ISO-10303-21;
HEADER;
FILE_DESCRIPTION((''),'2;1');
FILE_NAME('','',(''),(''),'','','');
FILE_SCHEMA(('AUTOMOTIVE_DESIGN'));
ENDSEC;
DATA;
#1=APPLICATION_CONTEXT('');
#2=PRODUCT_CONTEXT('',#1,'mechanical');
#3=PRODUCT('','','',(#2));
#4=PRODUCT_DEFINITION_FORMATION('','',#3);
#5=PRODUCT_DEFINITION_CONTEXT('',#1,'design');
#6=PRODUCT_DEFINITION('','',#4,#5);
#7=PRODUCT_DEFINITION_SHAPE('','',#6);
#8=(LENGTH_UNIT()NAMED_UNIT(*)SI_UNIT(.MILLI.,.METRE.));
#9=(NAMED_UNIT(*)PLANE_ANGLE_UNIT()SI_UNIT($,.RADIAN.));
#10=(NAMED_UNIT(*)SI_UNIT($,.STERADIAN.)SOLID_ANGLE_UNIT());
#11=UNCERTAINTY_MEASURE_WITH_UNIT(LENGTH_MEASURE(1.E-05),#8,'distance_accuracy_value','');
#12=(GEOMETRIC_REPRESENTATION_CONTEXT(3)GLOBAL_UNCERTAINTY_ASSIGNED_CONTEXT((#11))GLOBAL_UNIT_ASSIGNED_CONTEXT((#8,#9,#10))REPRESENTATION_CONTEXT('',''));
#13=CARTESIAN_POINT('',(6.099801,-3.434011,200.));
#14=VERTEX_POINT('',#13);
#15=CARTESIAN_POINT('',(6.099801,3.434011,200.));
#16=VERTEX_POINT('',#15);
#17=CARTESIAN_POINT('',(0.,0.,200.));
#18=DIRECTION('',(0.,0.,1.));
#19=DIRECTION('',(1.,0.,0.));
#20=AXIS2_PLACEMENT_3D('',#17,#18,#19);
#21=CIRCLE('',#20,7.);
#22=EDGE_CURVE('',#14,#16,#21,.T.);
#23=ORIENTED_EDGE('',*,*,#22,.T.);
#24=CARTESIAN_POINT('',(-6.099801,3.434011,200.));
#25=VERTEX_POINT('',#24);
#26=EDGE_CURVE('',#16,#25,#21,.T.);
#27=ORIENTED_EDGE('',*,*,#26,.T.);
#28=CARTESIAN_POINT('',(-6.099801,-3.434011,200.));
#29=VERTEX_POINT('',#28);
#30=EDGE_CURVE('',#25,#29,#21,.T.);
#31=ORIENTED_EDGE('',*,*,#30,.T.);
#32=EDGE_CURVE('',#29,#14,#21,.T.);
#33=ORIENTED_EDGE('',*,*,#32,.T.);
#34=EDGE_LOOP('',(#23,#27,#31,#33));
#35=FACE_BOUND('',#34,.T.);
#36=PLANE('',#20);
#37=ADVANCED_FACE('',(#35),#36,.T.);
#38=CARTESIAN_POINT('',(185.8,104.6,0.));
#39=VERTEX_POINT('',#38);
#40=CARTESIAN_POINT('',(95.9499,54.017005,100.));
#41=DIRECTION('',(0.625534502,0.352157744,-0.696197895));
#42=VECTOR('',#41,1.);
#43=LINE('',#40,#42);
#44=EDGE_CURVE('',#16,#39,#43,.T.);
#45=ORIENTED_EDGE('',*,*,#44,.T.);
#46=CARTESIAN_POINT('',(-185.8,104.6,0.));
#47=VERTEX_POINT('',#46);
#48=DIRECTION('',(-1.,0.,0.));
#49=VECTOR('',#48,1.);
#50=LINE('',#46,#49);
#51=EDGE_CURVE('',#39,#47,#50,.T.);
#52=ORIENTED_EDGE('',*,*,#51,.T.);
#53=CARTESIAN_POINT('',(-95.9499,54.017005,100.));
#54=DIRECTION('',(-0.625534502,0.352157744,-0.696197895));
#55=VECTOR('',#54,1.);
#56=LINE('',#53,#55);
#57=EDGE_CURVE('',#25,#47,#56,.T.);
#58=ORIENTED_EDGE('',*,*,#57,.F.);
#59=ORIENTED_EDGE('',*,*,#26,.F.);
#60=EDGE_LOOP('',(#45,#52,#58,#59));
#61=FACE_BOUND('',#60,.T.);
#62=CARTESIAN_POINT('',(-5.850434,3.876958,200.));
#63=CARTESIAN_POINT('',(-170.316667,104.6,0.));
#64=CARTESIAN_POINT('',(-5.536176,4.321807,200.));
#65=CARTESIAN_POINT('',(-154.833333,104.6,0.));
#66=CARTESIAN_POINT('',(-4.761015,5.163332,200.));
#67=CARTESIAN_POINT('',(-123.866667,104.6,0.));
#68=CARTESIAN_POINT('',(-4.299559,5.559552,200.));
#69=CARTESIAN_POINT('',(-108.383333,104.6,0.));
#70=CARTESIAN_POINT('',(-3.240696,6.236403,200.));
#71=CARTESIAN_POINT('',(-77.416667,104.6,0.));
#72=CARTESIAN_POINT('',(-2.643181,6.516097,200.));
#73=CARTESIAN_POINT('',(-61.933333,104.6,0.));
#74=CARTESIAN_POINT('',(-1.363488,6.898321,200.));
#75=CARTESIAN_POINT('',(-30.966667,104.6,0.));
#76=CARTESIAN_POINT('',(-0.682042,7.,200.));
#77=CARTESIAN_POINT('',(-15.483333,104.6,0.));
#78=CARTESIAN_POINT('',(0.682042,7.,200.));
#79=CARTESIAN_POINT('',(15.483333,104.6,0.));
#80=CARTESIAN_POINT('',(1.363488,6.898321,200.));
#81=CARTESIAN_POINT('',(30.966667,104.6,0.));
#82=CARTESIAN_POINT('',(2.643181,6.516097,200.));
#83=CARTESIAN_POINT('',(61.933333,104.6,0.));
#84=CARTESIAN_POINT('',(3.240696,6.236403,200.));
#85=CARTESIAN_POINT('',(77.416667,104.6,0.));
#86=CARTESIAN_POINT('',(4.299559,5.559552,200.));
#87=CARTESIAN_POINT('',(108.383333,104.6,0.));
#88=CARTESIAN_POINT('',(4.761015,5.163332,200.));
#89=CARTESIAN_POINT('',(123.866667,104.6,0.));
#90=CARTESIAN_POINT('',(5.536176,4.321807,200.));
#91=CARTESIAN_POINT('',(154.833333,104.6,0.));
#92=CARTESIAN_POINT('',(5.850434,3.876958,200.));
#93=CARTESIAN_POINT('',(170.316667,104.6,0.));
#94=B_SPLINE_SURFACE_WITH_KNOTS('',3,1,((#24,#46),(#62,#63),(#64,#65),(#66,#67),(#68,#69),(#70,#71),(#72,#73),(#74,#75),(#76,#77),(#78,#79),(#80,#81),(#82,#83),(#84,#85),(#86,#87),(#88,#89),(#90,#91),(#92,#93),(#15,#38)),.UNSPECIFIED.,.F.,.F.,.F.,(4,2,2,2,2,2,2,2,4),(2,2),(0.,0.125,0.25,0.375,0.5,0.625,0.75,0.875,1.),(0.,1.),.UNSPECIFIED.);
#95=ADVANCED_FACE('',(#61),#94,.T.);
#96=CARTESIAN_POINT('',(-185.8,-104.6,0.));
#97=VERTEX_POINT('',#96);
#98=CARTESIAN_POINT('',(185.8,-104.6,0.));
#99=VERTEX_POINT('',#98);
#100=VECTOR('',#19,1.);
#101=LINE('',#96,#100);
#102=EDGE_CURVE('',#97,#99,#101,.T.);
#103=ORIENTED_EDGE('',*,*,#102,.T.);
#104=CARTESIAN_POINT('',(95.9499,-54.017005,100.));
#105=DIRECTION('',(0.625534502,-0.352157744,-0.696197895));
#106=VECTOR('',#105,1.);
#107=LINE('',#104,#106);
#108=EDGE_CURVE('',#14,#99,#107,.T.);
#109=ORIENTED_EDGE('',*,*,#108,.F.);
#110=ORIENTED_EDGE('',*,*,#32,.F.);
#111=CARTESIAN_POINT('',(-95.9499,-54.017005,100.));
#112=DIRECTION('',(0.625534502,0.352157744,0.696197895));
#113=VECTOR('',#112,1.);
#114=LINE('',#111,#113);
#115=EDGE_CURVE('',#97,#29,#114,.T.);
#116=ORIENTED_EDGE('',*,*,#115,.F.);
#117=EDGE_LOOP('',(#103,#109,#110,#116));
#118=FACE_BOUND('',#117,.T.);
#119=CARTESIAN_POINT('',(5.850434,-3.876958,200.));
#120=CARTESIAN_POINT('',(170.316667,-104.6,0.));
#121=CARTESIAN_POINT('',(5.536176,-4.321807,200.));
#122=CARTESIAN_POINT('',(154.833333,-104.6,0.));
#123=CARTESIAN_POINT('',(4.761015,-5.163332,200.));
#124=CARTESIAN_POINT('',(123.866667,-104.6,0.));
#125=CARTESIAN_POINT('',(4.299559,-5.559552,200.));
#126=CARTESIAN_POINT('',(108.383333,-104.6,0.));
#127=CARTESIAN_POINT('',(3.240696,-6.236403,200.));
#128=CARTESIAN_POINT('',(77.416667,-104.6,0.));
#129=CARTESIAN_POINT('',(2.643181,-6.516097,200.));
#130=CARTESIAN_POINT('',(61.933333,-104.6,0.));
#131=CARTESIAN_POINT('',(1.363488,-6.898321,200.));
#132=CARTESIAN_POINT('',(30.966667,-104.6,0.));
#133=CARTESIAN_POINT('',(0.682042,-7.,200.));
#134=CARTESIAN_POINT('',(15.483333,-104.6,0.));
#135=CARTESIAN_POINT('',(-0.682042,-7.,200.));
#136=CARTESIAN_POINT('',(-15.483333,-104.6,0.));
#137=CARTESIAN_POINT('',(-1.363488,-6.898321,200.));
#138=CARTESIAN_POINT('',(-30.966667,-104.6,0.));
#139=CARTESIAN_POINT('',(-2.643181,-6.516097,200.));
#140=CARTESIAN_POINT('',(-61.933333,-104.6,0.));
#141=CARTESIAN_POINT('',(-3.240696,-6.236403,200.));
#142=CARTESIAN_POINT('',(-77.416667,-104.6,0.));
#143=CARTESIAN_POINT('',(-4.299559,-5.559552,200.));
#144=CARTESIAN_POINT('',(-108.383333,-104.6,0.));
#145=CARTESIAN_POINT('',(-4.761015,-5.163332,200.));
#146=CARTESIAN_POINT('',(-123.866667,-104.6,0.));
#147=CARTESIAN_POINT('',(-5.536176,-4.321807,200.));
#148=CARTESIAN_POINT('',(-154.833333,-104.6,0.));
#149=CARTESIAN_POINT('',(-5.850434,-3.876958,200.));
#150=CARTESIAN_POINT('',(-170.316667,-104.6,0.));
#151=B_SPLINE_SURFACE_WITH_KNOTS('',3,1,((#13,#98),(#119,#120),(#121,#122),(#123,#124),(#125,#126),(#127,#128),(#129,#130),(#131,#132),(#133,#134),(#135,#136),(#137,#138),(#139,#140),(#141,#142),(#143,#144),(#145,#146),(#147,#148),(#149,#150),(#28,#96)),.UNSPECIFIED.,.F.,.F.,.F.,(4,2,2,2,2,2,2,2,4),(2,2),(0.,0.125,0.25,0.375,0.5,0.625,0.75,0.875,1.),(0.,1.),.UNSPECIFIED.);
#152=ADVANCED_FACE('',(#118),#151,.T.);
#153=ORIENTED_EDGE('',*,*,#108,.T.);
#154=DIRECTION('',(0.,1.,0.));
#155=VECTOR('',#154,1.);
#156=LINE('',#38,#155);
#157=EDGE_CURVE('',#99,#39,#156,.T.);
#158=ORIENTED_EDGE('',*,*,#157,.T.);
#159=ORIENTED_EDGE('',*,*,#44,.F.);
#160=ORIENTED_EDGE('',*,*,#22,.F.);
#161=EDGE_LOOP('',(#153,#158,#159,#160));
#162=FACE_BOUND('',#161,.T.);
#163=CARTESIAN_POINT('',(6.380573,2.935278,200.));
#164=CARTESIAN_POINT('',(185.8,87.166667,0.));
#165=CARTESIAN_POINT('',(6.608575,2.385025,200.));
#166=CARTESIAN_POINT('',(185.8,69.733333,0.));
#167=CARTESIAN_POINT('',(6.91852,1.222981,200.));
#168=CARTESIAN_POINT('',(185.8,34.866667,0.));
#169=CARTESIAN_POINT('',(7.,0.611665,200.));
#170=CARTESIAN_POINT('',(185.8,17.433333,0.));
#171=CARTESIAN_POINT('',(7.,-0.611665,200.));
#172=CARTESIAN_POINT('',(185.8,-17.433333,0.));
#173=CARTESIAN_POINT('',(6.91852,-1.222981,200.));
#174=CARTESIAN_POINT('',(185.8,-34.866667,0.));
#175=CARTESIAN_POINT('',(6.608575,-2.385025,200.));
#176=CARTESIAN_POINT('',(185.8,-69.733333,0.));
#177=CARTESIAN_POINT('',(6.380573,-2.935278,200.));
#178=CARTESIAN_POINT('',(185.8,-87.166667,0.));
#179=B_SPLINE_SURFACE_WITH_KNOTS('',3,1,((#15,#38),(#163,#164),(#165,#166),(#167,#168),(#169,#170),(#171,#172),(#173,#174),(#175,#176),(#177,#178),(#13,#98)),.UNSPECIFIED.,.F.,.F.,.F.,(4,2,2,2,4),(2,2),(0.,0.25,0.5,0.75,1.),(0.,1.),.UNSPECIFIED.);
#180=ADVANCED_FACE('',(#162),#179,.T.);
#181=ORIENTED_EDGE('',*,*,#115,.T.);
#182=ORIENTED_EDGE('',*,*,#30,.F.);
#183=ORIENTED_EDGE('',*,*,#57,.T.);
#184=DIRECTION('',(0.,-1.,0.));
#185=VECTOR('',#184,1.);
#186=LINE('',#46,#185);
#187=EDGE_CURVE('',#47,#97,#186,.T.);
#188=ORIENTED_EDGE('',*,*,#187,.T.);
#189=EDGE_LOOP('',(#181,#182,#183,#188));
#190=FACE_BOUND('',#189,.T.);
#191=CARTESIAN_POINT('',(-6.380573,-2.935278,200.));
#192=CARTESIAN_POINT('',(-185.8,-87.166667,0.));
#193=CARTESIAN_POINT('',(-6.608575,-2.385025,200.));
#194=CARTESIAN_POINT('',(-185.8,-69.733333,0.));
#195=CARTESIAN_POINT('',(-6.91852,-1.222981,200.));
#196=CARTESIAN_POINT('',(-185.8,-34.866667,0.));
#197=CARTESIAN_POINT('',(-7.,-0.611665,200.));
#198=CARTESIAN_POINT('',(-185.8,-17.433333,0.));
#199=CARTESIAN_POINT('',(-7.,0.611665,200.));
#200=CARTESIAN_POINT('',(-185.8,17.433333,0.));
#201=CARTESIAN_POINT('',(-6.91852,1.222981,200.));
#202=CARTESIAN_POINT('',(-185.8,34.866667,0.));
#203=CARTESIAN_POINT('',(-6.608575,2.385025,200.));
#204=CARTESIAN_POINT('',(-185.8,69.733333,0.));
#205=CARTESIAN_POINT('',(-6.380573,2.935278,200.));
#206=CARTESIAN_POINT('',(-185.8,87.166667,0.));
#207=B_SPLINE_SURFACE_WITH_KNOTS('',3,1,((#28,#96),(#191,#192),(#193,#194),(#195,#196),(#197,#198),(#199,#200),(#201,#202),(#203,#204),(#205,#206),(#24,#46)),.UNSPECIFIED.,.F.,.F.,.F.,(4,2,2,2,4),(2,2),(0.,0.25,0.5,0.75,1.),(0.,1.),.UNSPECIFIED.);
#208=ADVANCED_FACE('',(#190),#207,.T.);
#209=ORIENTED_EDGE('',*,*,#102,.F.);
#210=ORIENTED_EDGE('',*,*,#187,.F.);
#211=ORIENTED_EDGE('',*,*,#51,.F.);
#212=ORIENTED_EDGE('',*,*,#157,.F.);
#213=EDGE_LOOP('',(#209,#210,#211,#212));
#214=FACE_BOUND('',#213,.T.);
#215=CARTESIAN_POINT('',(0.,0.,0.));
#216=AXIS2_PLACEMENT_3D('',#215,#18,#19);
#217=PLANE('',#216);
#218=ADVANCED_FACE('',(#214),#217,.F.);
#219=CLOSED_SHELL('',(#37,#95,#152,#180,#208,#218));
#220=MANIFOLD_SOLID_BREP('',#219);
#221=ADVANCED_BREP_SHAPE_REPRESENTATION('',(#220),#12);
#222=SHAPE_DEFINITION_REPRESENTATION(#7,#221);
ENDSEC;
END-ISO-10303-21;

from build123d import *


with BuildPart() as part:
    # Croquis2 for Recubrir2 → Recubrir2 section 0
    with BuildSketch(Plane.XY.offset(200)):
        with BuildLine():
            # circular arc as an exact rational Bezier (weights 1, cos(half-angle), 1)
            Bezier((-6.0998009, 3.434010625), (0, 14.269029818), (6.0998009, 3.434010625), weights=[1, 0.490572946, 1])
            Bezier((6.0998009, 3.434010625), (8.033049079, 0), (6.0998009, -3.434010625), weights=[1, 0.871400128, 1])
            Bezier((6.0998009, -3.434010625), (0, -14.269029818), (-6.0998009, -3.434010625), weights=[1, 0.490572946, 1])
            Bezier((-6.0998009, -3.434010625), (-8.033049079, 0), (-6.0998009, 3.434010625), weights=[1, 0.871400128, 1])
        make_face()
    # Croquis1 → Recubrir2 section 1
    with BuildSketch(Plane.XY):
        with BuildLine():
            Line((-185.8, 104.6), (185.8, 104.6))
            Line((185.8, 104.6), (185.8, -104.6))
            Line((185.8, -104.6), (-185.8, -104.6))
            Line((-185.8, -104.6), (-185.8, 104.6))
        make_face()
    loft()


solid = part.part
